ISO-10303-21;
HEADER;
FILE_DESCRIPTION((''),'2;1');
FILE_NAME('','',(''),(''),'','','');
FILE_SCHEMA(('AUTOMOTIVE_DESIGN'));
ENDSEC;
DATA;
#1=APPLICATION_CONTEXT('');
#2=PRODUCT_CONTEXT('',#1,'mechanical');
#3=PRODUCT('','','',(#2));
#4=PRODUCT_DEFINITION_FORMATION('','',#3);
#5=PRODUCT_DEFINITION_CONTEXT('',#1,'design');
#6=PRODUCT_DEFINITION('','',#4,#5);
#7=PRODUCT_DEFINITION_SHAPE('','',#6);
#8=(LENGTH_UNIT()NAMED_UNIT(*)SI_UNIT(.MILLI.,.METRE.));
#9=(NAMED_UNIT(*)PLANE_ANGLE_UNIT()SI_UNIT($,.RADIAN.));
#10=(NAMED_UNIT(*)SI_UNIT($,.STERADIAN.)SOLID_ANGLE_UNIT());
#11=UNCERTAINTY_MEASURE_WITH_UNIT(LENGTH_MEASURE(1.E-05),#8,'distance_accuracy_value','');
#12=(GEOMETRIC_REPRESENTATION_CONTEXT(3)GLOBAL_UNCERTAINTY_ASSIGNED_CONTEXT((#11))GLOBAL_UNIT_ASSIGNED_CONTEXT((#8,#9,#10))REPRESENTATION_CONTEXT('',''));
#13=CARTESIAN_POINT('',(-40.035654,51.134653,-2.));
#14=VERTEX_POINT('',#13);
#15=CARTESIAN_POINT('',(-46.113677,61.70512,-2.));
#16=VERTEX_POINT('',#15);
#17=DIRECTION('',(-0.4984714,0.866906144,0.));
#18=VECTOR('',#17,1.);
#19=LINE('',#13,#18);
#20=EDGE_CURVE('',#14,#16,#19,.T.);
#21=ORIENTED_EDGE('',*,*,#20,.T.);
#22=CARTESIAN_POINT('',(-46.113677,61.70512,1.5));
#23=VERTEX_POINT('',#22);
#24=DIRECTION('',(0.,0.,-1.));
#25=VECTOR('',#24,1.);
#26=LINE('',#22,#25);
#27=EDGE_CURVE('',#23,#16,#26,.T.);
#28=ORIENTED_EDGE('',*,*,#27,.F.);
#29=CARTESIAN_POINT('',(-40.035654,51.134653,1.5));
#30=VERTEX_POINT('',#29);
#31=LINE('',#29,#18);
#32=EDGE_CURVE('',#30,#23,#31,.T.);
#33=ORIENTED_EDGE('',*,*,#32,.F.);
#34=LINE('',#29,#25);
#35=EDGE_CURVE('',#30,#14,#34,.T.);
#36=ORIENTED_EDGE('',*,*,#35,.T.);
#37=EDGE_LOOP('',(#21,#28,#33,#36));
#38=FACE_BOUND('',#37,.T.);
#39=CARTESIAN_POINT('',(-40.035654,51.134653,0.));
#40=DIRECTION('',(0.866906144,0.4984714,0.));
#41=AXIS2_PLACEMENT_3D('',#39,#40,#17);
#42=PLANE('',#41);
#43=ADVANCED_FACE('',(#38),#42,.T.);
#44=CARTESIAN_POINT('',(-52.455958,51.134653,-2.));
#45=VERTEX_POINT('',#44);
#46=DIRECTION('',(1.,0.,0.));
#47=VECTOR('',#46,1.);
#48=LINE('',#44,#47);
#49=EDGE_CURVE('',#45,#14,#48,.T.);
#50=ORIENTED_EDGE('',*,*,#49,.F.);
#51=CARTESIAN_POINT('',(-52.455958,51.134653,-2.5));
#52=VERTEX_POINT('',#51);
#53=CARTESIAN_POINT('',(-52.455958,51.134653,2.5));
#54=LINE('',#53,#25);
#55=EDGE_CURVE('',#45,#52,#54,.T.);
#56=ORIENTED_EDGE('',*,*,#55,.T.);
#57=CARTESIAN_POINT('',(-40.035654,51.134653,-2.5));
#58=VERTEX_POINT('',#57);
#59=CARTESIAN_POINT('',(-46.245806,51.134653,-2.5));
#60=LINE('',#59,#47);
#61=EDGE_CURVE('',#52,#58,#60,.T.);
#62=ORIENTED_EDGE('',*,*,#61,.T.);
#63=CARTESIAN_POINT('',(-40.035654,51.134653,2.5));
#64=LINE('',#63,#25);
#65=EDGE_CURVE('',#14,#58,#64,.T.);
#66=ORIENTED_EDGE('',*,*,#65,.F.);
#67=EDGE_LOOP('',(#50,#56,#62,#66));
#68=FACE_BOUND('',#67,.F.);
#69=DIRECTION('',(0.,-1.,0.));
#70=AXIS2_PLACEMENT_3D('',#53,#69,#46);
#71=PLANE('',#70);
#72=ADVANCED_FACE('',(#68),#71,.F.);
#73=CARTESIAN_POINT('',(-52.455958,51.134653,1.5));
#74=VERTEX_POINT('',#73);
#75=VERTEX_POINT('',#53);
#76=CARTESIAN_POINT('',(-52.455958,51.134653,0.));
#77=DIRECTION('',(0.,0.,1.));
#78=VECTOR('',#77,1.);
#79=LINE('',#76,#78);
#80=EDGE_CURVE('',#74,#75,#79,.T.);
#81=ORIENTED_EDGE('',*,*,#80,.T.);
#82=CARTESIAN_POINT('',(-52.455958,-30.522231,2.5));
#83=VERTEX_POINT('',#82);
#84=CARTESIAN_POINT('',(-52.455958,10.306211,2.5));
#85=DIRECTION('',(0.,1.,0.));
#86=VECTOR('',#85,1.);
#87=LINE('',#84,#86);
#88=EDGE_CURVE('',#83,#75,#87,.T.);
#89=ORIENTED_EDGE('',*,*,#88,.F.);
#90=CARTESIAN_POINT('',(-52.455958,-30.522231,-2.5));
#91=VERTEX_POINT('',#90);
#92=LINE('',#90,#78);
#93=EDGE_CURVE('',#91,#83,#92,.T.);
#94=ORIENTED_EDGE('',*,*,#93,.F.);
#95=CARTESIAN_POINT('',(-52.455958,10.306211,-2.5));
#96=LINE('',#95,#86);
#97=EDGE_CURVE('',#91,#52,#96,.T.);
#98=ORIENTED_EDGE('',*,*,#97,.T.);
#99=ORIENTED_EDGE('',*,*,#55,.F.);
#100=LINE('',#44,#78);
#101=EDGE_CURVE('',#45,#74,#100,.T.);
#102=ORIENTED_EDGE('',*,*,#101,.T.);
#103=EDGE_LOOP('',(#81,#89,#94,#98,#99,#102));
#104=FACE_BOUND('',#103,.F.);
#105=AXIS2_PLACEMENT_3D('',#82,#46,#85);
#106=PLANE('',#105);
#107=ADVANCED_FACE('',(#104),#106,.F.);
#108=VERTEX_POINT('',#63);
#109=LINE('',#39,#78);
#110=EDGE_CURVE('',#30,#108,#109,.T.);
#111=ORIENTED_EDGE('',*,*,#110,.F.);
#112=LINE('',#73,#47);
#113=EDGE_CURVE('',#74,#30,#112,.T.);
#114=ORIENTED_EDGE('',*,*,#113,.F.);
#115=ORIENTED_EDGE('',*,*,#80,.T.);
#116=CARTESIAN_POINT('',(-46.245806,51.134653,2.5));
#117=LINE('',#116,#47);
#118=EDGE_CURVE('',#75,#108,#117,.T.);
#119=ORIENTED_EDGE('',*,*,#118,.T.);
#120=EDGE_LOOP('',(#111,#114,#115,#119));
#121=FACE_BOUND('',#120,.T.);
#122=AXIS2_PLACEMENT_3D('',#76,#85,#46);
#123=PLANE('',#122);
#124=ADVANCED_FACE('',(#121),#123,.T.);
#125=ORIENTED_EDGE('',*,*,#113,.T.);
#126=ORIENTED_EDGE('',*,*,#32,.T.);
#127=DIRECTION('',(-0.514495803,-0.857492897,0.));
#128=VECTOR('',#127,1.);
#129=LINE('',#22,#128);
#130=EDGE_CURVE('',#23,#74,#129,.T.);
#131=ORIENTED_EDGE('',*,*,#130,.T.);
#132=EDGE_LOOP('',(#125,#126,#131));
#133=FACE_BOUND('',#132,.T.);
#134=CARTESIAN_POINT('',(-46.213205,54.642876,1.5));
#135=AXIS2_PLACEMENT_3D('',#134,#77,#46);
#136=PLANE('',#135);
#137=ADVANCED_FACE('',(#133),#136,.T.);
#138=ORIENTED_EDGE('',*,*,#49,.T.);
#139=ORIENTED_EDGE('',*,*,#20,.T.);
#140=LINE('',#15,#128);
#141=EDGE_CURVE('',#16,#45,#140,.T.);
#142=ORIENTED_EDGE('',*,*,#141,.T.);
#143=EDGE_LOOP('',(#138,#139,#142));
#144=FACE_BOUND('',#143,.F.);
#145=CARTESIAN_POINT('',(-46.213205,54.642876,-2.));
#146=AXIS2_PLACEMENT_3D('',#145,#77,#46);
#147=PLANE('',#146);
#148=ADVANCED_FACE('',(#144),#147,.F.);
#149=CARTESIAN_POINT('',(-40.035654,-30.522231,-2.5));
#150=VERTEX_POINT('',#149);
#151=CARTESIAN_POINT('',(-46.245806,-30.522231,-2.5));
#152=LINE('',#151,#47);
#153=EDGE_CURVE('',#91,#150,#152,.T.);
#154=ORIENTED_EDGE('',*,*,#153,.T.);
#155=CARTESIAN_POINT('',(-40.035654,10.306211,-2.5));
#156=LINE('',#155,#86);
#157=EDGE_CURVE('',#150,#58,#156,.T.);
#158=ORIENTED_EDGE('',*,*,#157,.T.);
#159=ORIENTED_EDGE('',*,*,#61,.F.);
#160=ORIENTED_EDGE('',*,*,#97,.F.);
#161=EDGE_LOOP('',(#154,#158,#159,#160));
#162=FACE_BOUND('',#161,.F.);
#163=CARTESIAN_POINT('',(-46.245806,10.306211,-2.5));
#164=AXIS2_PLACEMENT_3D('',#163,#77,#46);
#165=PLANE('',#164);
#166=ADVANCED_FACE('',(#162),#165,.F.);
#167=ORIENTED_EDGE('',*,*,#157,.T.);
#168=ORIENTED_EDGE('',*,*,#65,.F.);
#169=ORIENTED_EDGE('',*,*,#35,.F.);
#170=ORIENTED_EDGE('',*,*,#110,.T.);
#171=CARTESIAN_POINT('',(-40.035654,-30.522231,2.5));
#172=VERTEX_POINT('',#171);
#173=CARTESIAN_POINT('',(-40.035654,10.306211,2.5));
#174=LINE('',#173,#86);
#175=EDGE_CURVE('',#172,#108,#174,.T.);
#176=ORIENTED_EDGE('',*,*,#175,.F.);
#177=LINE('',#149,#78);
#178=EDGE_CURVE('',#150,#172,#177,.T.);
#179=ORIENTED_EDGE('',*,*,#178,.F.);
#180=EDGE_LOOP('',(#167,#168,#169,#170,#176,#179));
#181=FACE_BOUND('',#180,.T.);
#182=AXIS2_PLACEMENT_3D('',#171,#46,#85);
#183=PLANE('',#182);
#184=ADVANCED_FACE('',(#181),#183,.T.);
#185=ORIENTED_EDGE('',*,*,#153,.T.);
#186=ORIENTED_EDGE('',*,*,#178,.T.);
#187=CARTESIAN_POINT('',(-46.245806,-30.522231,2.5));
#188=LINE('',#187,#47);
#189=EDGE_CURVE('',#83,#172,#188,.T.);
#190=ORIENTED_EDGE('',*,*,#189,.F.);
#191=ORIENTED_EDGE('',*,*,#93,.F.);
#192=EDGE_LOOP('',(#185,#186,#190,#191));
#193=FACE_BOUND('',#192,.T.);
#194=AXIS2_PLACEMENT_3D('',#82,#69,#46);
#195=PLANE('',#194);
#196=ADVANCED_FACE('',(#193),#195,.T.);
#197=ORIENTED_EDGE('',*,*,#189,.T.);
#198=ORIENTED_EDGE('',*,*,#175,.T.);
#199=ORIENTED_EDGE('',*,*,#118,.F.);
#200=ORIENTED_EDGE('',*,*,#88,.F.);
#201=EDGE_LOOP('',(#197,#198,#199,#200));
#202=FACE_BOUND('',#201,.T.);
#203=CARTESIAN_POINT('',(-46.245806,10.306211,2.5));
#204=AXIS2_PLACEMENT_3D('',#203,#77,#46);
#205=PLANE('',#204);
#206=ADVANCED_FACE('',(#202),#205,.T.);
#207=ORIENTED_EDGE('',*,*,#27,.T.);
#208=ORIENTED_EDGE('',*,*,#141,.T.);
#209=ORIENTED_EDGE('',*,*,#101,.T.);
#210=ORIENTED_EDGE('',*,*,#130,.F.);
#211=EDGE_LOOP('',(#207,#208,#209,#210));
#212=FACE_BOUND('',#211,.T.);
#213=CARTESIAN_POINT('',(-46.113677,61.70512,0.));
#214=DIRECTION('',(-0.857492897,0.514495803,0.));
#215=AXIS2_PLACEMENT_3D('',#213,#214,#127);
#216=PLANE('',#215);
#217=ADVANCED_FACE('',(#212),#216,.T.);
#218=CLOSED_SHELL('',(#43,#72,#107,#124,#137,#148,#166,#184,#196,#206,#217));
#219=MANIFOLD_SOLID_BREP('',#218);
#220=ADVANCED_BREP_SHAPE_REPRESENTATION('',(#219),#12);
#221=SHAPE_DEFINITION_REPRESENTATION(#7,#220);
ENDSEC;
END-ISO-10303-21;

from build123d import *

# Parameters (mm, degrees)
F0_W      = 12.420304
F0_H      = 81.656884
F1_DEPTH  = 2.5
F2_DEPTH  = 1.5
F1_FACE_W = 12.420304
F1_FACE_H = 81.656884
F3_DEPTH  = 5
F4_DEPTH  = 2


with BuildPart() as f1:
    # F0 (on Top) → F1 (new body)
    with BuildSketch(Plane.XY):
        with Locations((-46.245806, 10.306211)):
            Rectangle(F0_W, F0_H)
    extrude(amount=F1_DEPTH)

    # F0 (on Top) → F2 (join)
    with BuildSketch(Plane.XY):
        Polygon((-46.113677, 61.70512), (-52.455958, 51.134653), (-40.035654, 51.134653), align=None)
    extrude(amount=F2_DEPTH)

    # F1_face (on face) → F3 (join)
    with BuildSketch(Plane(origin=(-46.245806, 10.306211, 2.5), x_dir=(1, 0, 0), z_dir=(0, 0, 1))):
        Rectangle(F1_FACE_W, F1_FACE_H)
    extrude(amount=-F3_DEPTH)

    # F0 (on Top) → F4 (join)
    with BuildSketch(Plane.XY):
        Polygon((-46.113677, 61.70512), (-52.455958, 51.134653), (-40.035654, 51.134653), align=None)
    extrude(amount=-F4_DEPTH)


solid = f1.part
